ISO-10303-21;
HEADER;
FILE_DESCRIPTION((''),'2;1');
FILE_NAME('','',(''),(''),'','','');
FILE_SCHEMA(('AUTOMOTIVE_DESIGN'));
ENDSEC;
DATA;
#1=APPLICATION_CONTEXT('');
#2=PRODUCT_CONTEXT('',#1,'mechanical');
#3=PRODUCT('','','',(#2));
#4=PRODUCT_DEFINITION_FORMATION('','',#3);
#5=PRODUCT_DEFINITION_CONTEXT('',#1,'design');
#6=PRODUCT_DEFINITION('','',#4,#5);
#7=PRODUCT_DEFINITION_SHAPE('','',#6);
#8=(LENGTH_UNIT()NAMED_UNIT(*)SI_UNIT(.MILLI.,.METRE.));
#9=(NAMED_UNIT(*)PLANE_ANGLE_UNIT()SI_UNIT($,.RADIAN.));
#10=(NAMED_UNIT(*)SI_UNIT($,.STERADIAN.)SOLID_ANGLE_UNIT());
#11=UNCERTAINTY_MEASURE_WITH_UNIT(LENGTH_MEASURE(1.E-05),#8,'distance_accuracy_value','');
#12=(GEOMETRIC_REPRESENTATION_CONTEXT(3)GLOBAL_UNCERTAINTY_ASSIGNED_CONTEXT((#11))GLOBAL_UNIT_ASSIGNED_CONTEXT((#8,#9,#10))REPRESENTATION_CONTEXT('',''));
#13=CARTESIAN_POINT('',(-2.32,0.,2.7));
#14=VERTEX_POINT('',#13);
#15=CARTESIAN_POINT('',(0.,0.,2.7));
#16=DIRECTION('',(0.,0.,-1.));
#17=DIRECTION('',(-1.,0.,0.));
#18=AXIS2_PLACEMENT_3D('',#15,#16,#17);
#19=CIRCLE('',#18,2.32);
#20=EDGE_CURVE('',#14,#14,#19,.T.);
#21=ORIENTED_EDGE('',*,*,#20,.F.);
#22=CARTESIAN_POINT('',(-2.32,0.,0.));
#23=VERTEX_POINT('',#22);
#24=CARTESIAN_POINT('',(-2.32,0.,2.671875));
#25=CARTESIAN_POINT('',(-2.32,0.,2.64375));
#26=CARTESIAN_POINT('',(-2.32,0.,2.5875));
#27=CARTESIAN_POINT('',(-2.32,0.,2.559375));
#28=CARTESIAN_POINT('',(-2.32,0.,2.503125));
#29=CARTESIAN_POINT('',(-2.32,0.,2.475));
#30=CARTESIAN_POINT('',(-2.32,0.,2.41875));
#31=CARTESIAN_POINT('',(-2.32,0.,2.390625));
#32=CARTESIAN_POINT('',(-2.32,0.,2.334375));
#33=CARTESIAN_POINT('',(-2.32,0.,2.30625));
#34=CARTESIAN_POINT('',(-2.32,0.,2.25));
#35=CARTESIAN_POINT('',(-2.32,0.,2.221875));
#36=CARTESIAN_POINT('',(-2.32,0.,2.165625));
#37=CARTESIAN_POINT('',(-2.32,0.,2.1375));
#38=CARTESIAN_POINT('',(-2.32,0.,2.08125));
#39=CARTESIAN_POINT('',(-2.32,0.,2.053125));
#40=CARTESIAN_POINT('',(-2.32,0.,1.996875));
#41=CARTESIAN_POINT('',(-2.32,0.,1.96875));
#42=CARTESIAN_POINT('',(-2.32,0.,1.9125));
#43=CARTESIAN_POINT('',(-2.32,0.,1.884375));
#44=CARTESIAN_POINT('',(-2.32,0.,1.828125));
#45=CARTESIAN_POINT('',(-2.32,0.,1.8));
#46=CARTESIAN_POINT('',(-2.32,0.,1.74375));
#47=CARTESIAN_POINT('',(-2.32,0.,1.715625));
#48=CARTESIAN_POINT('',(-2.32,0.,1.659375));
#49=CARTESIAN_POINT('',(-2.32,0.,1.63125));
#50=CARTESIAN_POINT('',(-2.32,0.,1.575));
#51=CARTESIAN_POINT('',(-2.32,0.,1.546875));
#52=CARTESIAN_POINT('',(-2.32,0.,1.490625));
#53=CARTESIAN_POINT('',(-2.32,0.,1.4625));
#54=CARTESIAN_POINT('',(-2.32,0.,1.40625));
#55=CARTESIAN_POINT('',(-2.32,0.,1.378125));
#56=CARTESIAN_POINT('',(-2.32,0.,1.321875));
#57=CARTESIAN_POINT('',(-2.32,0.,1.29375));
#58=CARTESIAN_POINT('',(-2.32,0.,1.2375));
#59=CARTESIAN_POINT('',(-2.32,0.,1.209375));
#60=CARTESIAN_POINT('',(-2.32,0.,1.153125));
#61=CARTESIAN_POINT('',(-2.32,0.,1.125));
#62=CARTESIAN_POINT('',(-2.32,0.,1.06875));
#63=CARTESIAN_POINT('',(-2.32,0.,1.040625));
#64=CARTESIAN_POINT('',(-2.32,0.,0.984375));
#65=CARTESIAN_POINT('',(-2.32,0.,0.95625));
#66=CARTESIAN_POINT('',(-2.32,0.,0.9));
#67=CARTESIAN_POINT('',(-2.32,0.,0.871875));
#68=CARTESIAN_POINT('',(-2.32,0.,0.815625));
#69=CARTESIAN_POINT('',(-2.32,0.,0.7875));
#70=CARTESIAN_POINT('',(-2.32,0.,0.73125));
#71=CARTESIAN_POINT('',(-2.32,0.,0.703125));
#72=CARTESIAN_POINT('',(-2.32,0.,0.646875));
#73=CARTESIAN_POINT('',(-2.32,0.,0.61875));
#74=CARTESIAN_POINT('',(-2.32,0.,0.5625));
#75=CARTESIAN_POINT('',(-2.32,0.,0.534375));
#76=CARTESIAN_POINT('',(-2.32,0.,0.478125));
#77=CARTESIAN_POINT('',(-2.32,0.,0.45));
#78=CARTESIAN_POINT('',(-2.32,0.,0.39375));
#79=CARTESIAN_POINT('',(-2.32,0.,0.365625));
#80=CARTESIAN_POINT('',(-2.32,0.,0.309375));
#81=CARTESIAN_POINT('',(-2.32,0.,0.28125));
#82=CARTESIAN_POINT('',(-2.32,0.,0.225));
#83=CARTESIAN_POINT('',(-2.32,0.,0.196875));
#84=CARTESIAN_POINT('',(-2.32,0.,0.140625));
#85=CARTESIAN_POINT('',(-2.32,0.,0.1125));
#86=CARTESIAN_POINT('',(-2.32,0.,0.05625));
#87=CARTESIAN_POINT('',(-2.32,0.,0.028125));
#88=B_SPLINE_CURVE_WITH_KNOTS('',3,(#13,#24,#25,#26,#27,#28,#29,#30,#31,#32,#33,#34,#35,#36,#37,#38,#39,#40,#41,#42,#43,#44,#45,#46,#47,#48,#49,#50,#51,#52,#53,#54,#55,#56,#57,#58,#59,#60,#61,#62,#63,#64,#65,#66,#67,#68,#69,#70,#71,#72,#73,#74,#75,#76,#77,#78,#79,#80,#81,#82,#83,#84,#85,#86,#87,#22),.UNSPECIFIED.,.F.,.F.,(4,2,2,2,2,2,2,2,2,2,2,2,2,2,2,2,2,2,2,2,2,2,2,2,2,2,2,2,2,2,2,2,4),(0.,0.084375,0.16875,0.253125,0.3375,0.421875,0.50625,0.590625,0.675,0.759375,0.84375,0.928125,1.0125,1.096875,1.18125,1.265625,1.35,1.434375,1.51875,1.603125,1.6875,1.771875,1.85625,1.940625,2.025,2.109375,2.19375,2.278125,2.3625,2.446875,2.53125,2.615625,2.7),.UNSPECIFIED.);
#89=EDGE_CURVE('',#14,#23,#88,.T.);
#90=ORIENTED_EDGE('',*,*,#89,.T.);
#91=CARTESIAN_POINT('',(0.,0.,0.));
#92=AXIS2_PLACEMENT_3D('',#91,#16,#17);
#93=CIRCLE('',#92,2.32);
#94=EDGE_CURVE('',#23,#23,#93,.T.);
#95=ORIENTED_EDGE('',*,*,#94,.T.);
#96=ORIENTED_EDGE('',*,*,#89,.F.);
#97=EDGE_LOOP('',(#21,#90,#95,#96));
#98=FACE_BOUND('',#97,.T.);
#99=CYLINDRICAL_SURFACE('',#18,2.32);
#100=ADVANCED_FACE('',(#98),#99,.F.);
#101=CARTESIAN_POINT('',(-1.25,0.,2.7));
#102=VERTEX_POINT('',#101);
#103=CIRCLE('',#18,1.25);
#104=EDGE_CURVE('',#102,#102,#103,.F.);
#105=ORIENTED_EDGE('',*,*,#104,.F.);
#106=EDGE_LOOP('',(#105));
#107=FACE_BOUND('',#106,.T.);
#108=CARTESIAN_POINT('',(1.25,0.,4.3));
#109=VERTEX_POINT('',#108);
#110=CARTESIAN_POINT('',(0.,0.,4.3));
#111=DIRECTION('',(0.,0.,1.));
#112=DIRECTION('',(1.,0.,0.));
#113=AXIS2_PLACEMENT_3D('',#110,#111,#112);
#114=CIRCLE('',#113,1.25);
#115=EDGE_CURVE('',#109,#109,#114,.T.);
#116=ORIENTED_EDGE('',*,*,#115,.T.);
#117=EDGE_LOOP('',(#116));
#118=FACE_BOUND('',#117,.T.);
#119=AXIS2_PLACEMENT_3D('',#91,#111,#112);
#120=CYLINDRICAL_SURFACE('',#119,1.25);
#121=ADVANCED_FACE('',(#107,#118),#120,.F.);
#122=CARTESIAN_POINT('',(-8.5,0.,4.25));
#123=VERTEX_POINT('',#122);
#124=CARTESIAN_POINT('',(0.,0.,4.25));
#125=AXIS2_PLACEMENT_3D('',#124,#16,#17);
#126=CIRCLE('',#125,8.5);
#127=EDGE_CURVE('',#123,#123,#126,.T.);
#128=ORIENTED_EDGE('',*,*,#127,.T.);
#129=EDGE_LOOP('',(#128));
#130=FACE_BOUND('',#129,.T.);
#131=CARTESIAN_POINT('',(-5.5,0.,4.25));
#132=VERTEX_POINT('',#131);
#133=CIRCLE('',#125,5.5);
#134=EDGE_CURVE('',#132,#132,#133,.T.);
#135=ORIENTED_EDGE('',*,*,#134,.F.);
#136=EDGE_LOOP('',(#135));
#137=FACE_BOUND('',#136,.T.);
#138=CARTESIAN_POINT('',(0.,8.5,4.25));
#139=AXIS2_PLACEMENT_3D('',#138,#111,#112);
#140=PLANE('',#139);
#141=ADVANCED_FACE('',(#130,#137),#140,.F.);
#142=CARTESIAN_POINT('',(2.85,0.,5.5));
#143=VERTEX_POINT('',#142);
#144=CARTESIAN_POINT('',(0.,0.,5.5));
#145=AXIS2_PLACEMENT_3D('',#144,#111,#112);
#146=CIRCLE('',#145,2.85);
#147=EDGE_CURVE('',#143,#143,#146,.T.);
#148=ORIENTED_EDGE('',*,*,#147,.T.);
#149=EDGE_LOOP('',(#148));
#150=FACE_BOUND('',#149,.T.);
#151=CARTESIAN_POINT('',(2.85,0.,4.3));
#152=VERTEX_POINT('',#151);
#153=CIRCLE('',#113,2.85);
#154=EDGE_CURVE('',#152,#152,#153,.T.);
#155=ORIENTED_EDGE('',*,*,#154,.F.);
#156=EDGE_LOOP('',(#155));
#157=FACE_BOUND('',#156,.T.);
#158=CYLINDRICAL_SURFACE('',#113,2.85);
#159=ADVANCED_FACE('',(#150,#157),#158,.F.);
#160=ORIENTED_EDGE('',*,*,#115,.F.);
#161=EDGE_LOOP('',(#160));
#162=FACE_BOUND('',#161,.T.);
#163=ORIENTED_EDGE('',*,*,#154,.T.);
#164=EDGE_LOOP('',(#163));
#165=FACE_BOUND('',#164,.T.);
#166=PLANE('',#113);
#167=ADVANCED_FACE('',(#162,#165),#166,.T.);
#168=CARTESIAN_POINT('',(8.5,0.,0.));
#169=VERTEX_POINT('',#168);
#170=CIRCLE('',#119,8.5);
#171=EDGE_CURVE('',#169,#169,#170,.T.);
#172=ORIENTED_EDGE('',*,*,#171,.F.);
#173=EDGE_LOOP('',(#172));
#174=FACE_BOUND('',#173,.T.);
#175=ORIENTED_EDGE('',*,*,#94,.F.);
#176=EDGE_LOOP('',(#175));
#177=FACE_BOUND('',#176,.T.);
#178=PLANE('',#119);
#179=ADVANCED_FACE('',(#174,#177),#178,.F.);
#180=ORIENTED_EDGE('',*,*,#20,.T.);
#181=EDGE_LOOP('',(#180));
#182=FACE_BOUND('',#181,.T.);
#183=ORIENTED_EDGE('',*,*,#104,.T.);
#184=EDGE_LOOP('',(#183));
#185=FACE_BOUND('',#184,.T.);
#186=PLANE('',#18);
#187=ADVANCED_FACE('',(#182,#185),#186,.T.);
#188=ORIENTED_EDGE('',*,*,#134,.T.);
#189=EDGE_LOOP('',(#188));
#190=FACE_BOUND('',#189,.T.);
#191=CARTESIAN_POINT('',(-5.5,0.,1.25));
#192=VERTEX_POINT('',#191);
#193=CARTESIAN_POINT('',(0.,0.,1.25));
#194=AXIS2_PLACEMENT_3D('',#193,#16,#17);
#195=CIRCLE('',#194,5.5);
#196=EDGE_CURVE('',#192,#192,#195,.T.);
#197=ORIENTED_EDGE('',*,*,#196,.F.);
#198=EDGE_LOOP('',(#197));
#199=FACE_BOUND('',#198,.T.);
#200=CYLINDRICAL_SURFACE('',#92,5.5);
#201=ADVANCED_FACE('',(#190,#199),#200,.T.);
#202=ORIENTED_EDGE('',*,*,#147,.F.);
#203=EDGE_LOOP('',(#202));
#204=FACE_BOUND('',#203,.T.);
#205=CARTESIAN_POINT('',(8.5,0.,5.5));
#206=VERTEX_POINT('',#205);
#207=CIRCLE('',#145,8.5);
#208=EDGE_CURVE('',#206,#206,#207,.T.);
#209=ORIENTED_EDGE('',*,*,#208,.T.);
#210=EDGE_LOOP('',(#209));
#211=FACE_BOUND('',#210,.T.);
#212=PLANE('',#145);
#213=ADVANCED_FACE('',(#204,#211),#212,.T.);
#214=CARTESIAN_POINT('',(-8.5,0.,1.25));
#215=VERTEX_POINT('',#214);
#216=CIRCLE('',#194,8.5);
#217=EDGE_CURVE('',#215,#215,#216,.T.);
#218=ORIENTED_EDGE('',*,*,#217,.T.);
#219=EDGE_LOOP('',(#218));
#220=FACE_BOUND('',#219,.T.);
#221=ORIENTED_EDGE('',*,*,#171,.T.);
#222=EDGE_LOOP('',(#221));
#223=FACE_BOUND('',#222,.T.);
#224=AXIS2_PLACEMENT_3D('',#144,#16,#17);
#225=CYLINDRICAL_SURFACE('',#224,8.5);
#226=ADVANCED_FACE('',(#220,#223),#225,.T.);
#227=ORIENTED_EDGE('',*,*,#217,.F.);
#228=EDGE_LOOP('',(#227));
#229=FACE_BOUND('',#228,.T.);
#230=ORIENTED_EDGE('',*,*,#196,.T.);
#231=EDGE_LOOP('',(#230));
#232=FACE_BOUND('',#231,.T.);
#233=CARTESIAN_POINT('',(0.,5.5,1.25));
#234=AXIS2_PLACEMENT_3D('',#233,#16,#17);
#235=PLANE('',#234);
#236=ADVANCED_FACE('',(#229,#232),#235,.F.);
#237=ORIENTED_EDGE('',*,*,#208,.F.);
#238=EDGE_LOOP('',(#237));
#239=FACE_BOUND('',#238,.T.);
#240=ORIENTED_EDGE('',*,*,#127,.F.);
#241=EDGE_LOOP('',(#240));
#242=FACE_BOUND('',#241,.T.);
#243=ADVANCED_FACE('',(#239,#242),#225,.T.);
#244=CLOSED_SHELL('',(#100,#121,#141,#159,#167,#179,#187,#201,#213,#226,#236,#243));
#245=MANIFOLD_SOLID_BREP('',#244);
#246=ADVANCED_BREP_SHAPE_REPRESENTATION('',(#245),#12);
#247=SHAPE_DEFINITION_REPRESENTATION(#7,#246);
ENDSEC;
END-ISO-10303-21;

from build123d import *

# Parameters (mm, degrees)
CROQUIS1_R              = 8.5
SALIENTE_EXTRUIR1_DEPTH = 5.5
CROQUIS3_R              = 2.85
CORTAR_EXTRUIR1_DEPTH   = 1.2
CROQUIS4_R              = 1.25
CORTAR_EXTRUIR2_DEPTH   = 14.219304066
CROQUIS5_R              = 2.32
CORTAR_EXTRUIR3_DEPTH   = 2.7


with BuildPart() as part:
    # Croquis1 → Saliente-Extruir1 (new body)
    with BuildSketch(Plane.XY):
        Circle(CROQUIS1_R)
    extrude(amount=SALIENTE_EXTRUIR1_DEPTH)

    # Croquis2 → Cortar-Revolución1 (revolve, cut)
    with BuildSketch(Plane(origin=(0, 0, 0), x_dir=(0, 0, -1), z_dir=(1, 0, 0)), mode=Mode.PRIVATE) as cortar_revoluci_n1_sk:
        Polygon((-5.5, 8.5), (-4.25, 8.5), (-4.25, 5.5), (-1.25, 5.5), (-1.25, 8.5), (0, 8.5), (0, 8.952172256), (-5.5, 8.952172256), align=None)
    revolve(cortar_revoluci_n1_sk.sketch.rotate(Axis((0, 0, 0), (0, 0, 1)), 90), axis=Axis((0, 0, 0), (0, 0, 1)), mode=Mode.SUBTRACT)

    # Croquis3 → Cortar-Extruir1 (cut)
    with BuildSketch(Plane.XY.offset(5.5)):
        Circle(CROQUIS3_R)
    extrude(amount=-CORTAR_EXTRUIR1_DEPTH, mode=Mode.SUBTRACT)

    # Croquis4 → Cortar-Extruir2 (cut, through all)
    with BuildSketch(Plane.XY.offset(5.5)):
        Circle(CROQUIS4_R)
    extrude(amount=-CORTAR_EXTRUIR2_DEPTH, mode=Mode.SUBTRACT)

    # Croquis5 → Cortar-Extruir3 (cut)
    with BuildSketch(Plane(origin=(0, 0, 0), x_dir=(-1, 0, 0), z_dir=(0, 0, -1))):
        Circle(CROQUIS5_R)
    extrude(amount=-CORTAR_EXTRUIR3_DEPTH, mode=Mode.SUBTRACT)


solid = part.part
